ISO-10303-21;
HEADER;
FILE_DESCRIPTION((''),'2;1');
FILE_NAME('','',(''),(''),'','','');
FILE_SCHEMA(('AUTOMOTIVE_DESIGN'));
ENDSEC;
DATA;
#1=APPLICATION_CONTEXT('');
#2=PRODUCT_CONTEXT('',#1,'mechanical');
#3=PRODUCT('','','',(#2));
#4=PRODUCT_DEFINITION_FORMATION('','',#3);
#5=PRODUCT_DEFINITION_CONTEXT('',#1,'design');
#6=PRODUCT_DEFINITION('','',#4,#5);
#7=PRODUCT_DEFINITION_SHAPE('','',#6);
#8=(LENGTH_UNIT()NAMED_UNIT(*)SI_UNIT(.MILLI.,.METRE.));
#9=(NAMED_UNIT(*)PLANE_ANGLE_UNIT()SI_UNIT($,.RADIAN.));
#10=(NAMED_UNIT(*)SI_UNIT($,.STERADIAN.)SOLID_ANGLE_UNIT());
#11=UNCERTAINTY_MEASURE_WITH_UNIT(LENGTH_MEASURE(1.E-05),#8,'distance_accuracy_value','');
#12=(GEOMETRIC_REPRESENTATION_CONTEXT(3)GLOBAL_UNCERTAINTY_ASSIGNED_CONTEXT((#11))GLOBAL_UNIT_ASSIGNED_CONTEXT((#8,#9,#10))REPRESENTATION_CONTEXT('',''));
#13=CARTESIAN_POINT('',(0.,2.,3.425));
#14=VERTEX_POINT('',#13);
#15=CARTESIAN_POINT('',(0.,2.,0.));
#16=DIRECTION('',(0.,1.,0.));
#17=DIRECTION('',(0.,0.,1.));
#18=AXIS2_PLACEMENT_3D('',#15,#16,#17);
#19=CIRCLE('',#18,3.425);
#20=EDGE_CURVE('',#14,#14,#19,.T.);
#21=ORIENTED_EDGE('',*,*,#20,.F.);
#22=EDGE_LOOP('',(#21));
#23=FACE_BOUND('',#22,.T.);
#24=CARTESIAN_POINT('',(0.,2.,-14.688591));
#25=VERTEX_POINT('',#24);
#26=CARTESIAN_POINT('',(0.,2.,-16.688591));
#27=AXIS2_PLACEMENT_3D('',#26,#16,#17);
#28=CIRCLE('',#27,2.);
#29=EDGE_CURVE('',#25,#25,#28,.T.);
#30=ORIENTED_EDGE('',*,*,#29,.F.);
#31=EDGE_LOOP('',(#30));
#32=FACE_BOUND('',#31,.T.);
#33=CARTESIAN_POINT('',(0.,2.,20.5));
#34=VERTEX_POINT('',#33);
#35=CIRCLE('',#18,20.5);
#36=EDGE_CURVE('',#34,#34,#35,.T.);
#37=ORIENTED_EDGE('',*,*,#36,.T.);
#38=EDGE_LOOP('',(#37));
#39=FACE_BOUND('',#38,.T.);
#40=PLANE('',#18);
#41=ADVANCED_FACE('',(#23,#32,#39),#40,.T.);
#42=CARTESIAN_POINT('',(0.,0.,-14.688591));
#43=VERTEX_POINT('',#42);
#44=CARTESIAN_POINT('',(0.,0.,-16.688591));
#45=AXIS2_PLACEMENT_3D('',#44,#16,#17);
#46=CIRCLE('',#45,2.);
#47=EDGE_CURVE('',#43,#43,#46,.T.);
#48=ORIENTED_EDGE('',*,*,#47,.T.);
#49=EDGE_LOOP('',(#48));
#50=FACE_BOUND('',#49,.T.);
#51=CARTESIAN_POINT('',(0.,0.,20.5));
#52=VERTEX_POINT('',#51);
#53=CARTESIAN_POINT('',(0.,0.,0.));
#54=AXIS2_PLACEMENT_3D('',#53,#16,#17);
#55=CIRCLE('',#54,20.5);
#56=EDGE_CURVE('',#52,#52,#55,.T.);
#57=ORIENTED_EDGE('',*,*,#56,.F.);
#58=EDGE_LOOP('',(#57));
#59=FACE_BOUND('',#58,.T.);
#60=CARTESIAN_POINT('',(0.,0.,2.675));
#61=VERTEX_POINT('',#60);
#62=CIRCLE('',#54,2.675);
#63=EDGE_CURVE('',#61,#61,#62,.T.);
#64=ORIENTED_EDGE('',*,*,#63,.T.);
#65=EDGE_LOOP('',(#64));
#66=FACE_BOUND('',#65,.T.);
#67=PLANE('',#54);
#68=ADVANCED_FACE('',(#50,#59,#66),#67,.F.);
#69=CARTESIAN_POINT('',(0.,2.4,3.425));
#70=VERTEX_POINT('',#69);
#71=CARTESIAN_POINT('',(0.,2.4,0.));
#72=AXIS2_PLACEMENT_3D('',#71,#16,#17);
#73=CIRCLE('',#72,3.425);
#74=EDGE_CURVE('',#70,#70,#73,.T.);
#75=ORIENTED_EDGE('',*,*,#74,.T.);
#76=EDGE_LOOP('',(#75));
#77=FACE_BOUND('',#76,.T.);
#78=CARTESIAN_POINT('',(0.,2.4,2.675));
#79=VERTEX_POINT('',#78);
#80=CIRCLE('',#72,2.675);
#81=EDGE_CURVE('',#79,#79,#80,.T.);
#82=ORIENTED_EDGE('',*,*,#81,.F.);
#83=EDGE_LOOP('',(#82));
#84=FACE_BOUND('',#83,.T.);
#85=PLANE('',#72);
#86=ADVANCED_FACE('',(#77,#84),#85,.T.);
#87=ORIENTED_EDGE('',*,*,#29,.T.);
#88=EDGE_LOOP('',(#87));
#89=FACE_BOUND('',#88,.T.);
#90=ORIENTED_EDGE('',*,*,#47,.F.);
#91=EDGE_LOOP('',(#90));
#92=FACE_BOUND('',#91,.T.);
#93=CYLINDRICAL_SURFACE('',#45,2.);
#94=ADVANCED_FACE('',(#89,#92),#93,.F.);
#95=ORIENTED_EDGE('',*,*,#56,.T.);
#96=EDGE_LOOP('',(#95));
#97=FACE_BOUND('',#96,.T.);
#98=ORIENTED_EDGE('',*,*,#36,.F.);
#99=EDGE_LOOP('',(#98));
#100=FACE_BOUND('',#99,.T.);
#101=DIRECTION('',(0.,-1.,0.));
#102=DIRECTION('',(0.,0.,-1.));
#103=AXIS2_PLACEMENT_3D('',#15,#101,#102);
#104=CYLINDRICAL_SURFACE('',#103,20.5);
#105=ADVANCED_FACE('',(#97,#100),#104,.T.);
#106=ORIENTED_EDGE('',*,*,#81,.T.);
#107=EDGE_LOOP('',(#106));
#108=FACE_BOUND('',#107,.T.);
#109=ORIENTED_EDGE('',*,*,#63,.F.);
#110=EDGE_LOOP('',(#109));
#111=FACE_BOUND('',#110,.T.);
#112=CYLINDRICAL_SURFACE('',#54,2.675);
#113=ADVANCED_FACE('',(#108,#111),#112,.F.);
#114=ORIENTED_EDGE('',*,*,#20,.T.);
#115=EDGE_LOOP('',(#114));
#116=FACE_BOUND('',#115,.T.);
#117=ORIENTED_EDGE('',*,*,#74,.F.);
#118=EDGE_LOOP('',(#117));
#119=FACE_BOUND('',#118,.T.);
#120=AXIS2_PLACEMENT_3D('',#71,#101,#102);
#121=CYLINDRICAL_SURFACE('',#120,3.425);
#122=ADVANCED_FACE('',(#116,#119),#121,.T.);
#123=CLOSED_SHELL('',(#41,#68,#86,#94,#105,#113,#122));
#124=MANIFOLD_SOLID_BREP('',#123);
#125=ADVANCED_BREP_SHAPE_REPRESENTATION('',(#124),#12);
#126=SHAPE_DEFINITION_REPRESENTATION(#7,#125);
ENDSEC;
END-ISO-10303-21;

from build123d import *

# Parameters (mm, degrees)
SKETCH1_R           = 20.5
BOSS_EXTRUDE1_DEPTH = 2
SKETCH2_R           = 2.675
CUT_EXTRUDE1_DEPTH  = 2
BOSS_EXTRUDE2_START = 0.4
SKETCH3_R           = 3.425
SKETCH3_R_2         = 2.675
BOSS_EXTRUDE2_DEPTH = 0.4
SKETCH4_R           = 2
CUT_EXTRUDE2_DEPTH  = 2


with BuildPart() as part:
    # Sketch1 → Boss-Extrude1 (new body)
    with BuildSketch(Plane(origin=(0, 0, 0), x_dir=(1, 0, 0), z_dir=(0, 1, 0))):
        with Locations(Location((0, 0, 0), (0, 0, 270))):
            Circle(SKETCH1_R)
    extrude(amount=BOSS_EXTRUDE1_DEPTH)

    # Sketch2 → Cut-Extrude1 (cut)
    with BuildSketch(Plane(origin=(0, 2, 0), x_dir=(1, 0, 0), z_dir=(0, 1, 0))):
        with Locations(Location((0, 0, 0), (0, 0, 270))):
            Circle(SKETCH2_R)
    extrude(amount=-CUT_EXTRUDE1_DEPTH, mode=Mode.SUBTRACT)

    # Sketch3 → Boss-Extrude2 (add)
    with BuildSketch(Plane(origin=(0, 2, 0), x_dir=(1, 0, 0), z_dir=(0, 1, 0)).offset(BOSS_EXTRUDE2_START)):
        with Locations(Location((0, 0, 0), (0, 0, 270))):
            Circle(SKETCH3_R)
        with Locations(Location((0, 0, 0), (0, 0, 270))):
            Circle(SKETCH3_R_2, mode=Mode.SUBTRACT)
    extrude(amount=-BOSS_EXTRUDE2_DEPTH)

    # Sketch4 → Cut-Extrude2 (cut)
    with BuildSketch(Plane(origin=(0, 2, 0), x_dir=(1, 0, 0), z_dir=(0, 1, 0))):
        with Locations(Location((0, 16.68859089, 0), (0, 0, 270))):
            Circle(SKETCH4_R)
    extrude(amount=-CUT_EXTRUDE2_DEPTH, mode=Mode.SUBTRACT)


solid = part.part
